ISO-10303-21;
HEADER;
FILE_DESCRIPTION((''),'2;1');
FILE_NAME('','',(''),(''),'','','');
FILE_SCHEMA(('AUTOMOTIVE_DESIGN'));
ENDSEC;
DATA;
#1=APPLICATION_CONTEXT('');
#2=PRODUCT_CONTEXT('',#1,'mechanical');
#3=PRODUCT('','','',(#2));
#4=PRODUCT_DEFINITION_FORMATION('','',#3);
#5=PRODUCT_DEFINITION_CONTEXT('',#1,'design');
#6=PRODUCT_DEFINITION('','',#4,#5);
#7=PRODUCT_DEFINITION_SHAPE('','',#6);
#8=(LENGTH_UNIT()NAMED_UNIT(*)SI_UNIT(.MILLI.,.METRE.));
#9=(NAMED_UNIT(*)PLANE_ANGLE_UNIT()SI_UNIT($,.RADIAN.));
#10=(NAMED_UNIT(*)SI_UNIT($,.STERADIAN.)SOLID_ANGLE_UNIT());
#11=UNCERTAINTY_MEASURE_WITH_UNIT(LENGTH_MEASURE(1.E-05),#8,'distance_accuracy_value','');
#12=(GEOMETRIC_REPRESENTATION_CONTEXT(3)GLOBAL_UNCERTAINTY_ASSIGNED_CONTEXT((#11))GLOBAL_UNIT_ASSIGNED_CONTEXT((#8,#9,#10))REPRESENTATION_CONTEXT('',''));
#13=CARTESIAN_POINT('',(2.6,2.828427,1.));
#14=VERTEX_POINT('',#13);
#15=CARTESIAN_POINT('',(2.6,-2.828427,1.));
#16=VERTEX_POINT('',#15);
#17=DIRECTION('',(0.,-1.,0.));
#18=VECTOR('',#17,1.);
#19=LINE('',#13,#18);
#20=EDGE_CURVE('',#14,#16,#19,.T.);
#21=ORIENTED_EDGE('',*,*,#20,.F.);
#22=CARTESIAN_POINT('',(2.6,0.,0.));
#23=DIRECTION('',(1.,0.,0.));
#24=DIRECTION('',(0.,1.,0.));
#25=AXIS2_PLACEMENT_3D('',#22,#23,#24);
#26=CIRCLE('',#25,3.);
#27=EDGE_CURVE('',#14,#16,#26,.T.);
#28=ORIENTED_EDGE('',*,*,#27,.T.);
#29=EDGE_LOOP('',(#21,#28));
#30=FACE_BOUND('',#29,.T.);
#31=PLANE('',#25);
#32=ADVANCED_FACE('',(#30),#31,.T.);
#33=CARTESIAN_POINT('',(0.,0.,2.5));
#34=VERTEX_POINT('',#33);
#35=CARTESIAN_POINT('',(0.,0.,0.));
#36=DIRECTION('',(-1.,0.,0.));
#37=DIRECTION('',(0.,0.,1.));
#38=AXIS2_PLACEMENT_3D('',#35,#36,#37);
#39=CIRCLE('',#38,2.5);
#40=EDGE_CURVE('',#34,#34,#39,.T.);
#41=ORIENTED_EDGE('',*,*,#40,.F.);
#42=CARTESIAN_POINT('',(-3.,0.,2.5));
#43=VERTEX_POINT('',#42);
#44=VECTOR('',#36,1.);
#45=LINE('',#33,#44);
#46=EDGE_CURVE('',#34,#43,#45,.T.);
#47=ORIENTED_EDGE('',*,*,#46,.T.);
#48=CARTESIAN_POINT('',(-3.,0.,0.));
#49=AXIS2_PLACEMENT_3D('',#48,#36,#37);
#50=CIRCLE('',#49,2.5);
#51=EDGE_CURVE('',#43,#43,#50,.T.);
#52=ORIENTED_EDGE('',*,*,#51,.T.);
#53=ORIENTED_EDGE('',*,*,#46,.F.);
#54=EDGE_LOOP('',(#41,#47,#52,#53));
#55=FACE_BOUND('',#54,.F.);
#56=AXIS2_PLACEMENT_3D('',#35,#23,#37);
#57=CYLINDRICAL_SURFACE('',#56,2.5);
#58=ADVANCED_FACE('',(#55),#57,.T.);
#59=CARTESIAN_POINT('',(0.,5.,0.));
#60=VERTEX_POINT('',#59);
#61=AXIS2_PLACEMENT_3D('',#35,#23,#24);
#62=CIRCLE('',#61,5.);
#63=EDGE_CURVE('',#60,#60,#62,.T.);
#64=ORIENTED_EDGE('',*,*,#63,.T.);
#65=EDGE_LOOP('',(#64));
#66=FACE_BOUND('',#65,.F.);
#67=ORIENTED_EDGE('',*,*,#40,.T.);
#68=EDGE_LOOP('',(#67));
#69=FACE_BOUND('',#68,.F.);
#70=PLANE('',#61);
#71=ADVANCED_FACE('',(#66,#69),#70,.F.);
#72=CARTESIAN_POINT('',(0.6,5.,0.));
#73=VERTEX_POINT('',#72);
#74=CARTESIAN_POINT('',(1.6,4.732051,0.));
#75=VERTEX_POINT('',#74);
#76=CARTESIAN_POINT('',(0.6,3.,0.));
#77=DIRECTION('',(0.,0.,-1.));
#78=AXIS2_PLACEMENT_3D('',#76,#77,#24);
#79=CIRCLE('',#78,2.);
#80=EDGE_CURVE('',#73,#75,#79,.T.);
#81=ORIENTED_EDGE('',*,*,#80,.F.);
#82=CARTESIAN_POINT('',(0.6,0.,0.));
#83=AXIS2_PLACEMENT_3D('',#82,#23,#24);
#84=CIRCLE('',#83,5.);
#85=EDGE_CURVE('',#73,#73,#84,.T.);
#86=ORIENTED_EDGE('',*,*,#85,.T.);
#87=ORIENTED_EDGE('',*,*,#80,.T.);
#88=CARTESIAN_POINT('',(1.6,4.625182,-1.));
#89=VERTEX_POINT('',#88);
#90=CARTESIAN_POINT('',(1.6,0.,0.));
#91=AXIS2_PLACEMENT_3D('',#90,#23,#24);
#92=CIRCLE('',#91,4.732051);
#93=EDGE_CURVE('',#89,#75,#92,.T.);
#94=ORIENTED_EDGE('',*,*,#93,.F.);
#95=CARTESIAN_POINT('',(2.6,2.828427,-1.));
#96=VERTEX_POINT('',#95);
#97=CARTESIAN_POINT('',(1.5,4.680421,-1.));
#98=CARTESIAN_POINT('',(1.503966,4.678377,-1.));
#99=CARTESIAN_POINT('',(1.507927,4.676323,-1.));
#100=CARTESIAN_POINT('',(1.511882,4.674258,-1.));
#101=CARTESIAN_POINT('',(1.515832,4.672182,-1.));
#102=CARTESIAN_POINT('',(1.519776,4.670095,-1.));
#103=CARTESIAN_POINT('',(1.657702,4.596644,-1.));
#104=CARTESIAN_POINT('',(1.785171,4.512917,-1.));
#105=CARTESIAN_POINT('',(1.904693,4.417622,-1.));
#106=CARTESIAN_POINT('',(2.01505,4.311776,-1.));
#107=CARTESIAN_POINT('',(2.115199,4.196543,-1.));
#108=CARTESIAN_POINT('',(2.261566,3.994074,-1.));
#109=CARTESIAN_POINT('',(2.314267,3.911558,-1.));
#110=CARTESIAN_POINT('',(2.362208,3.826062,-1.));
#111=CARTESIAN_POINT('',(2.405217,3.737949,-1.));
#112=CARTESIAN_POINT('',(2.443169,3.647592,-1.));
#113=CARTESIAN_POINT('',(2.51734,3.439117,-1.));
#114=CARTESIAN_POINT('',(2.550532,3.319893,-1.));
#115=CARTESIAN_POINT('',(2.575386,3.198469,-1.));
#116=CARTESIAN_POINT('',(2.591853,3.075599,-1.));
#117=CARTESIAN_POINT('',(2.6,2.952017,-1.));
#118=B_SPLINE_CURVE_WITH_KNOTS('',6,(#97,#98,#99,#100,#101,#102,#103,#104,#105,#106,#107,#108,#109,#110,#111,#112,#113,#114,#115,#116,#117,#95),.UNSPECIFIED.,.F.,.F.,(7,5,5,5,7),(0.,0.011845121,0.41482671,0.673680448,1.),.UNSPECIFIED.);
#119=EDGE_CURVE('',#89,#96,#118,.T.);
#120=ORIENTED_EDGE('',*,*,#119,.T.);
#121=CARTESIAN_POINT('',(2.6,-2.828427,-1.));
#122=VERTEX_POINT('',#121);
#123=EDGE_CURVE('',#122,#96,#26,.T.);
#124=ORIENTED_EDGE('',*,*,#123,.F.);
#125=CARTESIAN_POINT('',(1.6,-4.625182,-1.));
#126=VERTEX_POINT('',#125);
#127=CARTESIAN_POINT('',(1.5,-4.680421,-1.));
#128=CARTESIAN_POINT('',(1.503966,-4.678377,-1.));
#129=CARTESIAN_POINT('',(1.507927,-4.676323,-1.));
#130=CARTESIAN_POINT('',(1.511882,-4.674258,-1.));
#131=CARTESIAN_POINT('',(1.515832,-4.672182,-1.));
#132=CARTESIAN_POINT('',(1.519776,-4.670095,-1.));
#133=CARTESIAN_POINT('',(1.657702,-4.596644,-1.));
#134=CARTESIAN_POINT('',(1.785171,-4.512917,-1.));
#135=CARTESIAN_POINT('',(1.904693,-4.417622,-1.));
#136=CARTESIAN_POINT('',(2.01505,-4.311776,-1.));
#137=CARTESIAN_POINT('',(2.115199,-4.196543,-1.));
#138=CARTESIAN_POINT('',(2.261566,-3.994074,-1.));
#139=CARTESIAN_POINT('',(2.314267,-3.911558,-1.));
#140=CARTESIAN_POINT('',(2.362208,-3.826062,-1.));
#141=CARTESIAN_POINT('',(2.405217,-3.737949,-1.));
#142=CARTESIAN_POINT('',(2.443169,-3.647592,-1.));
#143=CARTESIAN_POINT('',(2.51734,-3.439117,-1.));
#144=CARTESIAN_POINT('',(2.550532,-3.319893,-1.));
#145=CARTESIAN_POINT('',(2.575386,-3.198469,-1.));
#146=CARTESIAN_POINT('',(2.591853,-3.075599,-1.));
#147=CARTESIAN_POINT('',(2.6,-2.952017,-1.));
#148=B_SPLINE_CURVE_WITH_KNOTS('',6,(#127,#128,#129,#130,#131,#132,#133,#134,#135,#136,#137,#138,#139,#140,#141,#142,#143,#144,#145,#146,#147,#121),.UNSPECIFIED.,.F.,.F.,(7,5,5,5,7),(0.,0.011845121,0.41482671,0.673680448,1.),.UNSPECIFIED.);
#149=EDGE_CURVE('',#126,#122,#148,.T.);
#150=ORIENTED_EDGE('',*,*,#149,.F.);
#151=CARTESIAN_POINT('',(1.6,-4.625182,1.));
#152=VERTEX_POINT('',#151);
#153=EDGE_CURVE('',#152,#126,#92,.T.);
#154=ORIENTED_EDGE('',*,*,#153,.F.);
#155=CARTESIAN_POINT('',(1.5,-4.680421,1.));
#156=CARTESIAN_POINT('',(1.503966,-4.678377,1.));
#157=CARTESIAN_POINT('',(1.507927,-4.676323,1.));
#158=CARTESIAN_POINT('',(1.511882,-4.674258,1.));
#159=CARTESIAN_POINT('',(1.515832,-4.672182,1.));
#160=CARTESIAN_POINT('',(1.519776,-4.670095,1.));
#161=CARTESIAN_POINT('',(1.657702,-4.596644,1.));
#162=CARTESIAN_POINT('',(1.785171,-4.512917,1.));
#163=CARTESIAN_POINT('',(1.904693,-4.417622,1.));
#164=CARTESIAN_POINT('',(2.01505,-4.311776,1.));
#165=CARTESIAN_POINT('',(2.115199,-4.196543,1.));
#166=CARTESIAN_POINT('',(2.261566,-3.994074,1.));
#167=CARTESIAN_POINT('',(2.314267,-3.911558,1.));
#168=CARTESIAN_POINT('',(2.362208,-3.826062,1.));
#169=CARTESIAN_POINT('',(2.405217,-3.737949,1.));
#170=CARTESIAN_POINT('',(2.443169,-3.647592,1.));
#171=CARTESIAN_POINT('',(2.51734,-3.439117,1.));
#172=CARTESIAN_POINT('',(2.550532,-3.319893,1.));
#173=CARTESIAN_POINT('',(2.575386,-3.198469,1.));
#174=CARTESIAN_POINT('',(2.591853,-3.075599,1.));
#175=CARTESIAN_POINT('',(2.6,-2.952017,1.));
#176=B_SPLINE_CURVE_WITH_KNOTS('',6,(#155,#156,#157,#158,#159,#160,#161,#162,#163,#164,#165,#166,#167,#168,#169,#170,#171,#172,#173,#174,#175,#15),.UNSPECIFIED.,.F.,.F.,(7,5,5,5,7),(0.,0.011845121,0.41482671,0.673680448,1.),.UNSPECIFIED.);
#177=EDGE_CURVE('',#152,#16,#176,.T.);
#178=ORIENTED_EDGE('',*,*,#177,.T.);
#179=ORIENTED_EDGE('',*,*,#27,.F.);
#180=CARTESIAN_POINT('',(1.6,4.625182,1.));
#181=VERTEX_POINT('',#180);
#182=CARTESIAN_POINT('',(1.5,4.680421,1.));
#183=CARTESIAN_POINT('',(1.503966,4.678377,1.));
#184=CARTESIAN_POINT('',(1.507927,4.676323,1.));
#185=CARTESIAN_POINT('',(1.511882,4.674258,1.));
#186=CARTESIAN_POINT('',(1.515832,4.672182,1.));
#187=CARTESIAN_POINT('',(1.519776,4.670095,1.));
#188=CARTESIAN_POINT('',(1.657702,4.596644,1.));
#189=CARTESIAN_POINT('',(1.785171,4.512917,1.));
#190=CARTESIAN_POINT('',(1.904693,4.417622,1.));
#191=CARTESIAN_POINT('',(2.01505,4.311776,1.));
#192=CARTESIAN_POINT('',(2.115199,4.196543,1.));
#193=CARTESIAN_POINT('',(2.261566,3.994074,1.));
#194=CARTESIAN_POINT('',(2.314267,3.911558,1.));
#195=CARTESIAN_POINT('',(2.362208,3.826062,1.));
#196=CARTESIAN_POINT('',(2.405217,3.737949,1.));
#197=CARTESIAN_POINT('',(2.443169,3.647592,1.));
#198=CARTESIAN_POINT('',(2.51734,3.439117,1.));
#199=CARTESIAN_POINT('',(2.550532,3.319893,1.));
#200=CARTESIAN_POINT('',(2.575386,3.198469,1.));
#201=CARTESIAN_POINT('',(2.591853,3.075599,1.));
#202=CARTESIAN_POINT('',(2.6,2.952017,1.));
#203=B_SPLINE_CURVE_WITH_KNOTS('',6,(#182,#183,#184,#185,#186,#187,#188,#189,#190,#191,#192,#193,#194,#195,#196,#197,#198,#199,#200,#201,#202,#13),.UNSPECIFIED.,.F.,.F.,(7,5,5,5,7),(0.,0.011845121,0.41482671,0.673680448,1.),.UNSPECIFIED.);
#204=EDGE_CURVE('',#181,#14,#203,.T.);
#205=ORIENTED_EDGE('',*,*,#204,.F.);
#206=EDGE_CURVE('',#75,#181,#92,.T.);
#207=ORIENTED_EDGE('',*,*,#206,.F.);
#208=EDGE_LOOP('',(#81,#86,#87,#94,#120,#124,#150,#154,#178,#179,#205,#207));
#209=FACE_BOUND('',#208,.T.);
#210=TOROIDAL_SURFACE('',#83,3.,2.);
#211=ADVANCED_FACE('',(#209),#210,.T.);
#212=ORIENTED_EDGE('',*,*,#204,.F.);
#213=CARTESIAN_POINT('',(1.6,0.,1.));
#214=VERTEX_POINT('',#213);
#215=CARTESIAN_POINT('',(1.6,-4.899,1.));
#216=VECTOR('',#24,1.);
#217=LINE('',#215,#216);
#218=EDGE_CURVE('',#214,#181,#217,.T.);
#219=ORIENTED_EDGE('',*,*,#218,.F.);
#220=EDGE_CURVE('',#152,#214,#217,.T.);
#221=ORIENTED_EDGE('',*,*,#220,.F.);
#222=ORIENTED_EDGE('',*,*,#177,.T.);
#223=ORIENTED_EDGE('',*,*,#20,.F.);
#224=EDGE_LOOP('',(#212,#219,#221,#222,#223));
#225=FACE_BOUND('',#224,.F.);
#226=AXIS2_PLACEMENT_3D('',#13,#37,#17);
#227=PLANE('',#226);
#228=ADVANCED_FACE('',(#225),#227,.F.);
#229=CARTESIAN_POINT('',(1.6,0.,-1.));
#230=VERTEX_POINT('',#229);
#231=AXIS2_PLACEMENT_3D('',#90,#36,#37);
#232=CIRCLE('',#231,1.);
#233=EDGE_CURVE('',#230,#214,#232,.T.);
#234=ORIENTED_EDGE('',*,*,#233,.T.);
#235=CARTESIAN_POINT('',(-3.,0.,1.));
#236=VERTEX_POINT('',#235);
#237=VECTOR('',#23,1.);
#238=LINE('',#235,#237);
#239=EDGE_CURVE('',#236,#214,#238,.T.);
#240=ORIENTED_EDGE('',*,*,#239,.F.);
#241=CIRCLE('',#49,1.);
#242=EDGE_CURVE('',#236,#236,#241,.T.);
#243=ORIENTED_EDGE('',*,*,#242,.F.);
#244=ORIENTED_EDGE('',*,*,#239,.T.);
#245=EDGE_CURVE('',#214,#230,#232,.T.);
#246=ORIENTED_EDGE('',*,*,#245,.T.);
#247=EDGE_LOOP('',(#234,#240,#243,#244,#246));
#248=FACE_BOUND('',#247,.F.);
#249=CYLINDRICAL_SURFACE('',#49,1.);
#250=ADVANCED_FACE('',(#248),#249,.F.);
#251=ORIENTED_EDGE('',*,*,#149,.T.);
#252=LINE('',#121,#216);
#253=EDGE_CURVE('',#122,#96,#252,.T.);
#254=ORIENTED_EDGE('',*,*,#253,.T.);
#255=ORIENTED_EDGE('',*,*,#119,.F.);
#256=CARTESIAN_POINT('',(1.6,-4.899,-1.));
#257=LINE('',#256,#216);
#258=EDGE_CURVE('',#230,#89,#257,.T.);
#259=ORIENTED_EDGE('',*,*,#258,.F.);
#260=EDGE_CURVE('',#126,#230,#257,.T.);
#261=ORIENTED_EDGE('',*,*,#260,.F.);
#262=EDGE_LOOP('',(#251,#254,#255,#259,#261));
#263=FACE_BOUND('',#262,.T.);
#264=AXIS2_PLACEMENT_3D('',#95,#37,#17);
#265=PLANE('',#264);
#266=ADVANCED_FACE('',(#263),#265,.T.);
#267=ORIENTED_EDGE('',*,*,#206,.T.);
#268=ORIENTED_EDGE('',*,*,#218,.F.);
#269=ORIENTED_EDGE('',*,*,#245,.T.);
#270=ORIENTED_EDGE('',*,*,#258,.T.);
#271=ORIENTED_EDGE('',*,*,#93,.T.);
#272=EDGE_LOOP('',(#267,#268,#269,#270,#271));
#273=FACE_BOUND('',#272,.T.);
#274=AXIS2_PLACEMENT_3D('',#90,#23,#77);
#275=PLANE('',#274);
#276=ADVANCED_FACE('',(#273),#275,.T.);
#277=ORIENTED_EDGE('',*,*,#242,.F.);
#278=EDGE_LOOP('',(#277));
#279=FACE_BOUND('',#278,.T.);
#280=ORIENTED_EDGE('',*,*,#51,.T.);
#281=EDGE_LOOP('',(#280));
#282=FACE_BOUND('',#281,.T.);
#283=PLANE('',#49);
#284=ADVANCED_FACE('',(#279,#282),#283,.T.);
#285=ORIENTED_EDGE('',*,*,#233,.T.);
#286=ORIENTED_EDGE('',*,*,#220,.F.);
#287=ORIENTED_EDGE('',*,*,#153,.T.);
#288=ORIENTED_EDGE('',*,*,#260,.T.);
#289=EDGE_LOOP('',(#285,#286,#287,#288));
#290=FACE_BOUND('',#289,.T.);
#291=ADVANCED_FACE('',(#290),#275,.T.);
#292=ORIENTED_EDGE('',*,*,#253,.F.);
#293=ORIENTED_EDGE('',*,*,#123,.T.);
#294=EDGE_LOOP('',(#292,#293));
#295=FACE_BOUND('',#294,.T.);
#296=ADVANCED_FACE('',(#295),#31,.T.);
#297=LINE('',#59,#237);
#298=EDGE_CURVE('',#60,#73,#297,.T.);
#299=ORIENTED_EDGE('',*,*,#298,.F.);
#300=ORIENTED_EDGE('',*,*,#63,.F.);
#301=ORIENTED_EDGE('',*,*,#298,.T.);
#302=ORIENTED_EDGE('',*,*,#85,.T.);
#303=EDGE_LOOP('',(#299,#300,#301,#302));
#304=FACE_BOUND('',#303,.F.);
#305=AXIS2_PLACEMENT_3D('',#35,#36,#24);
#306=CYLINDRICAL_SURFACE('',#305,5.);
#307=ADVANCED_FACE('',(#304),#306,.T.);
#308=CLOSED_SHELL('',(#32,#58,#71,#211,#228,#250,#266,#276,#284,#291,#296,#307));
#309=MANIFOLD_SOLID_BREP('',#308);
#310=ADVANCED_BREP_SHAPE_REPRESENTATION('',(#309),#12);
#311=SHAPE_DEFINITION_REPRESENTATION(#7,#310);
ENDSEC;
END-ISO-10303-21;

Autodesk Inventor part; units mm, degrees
ref_plane "YZ Plane" through (0, 0, 0) normal (1, 0, 0) x (0, 1, 0)
ref_plane "XZ Plane" through (0, 0, 0) normal (0, 1, 0) x (-1, 0, 0)
ref_plane "XY Plane" through (0, 0, 0) normal (0, 0, 1) x (1, 0, 0)
sketch "Sketch1" plane through (0, 0, 0) normal (1, 0, 0) x (0, 1, 0)
  circle A0 centre (0, 0) radius 5
  dimension "d0" = 5
extrude "Extrusion1" add sketch "Sketch1" along normal blind 2.6
fillet "Fillet1" radius 2 1 edges at (2.6, -5, 0)
sketch "Sketch2" plane through (2.6, 0, 0) normal (1, 0, 0) x (0, 0, -1)
  circle A0 centre (0, 0) radius 3 projected
  circle A1 centre (0, 0) radius 5 projected
  circle A2 centre (0, 0) radius 3 projected
  circle A3 centre (0, 0) radius 5 projected
  line L0 (1, 4.899) -> (1, -4.899)
  line L1 (-1, 4.899) -> (-1, -4.899)
  dimension "d4" = 1
  dimension "d5" = 1
extrude "Extrusion2" cut sketch "Sketch2" against normal blind 1 contours L0 A0 L1 | A0 L1 A1 L0 | L0 A1 L1 A0
sketch "Sketch3" plane through (0, 0, 0) normal (-1, 0, 0) x (0, 0, 1)
  circle A0 centre (0, 0) radius 2.5
  dimension "d8" = 2.5
extrude "Extrusion3" add sketch "Sketch3" along normal blind 3
sketch "Sketch4" plane through (-3, 0, 0) normal (-1, 0, 0) x (0, 0, 1)
  circle A0 centre (0, 0) radius 1
  dimension "d11" = 1
extrude "Extrusion4" cut sketch "Sketch4" against normal through all
properties part number "nutsert"
